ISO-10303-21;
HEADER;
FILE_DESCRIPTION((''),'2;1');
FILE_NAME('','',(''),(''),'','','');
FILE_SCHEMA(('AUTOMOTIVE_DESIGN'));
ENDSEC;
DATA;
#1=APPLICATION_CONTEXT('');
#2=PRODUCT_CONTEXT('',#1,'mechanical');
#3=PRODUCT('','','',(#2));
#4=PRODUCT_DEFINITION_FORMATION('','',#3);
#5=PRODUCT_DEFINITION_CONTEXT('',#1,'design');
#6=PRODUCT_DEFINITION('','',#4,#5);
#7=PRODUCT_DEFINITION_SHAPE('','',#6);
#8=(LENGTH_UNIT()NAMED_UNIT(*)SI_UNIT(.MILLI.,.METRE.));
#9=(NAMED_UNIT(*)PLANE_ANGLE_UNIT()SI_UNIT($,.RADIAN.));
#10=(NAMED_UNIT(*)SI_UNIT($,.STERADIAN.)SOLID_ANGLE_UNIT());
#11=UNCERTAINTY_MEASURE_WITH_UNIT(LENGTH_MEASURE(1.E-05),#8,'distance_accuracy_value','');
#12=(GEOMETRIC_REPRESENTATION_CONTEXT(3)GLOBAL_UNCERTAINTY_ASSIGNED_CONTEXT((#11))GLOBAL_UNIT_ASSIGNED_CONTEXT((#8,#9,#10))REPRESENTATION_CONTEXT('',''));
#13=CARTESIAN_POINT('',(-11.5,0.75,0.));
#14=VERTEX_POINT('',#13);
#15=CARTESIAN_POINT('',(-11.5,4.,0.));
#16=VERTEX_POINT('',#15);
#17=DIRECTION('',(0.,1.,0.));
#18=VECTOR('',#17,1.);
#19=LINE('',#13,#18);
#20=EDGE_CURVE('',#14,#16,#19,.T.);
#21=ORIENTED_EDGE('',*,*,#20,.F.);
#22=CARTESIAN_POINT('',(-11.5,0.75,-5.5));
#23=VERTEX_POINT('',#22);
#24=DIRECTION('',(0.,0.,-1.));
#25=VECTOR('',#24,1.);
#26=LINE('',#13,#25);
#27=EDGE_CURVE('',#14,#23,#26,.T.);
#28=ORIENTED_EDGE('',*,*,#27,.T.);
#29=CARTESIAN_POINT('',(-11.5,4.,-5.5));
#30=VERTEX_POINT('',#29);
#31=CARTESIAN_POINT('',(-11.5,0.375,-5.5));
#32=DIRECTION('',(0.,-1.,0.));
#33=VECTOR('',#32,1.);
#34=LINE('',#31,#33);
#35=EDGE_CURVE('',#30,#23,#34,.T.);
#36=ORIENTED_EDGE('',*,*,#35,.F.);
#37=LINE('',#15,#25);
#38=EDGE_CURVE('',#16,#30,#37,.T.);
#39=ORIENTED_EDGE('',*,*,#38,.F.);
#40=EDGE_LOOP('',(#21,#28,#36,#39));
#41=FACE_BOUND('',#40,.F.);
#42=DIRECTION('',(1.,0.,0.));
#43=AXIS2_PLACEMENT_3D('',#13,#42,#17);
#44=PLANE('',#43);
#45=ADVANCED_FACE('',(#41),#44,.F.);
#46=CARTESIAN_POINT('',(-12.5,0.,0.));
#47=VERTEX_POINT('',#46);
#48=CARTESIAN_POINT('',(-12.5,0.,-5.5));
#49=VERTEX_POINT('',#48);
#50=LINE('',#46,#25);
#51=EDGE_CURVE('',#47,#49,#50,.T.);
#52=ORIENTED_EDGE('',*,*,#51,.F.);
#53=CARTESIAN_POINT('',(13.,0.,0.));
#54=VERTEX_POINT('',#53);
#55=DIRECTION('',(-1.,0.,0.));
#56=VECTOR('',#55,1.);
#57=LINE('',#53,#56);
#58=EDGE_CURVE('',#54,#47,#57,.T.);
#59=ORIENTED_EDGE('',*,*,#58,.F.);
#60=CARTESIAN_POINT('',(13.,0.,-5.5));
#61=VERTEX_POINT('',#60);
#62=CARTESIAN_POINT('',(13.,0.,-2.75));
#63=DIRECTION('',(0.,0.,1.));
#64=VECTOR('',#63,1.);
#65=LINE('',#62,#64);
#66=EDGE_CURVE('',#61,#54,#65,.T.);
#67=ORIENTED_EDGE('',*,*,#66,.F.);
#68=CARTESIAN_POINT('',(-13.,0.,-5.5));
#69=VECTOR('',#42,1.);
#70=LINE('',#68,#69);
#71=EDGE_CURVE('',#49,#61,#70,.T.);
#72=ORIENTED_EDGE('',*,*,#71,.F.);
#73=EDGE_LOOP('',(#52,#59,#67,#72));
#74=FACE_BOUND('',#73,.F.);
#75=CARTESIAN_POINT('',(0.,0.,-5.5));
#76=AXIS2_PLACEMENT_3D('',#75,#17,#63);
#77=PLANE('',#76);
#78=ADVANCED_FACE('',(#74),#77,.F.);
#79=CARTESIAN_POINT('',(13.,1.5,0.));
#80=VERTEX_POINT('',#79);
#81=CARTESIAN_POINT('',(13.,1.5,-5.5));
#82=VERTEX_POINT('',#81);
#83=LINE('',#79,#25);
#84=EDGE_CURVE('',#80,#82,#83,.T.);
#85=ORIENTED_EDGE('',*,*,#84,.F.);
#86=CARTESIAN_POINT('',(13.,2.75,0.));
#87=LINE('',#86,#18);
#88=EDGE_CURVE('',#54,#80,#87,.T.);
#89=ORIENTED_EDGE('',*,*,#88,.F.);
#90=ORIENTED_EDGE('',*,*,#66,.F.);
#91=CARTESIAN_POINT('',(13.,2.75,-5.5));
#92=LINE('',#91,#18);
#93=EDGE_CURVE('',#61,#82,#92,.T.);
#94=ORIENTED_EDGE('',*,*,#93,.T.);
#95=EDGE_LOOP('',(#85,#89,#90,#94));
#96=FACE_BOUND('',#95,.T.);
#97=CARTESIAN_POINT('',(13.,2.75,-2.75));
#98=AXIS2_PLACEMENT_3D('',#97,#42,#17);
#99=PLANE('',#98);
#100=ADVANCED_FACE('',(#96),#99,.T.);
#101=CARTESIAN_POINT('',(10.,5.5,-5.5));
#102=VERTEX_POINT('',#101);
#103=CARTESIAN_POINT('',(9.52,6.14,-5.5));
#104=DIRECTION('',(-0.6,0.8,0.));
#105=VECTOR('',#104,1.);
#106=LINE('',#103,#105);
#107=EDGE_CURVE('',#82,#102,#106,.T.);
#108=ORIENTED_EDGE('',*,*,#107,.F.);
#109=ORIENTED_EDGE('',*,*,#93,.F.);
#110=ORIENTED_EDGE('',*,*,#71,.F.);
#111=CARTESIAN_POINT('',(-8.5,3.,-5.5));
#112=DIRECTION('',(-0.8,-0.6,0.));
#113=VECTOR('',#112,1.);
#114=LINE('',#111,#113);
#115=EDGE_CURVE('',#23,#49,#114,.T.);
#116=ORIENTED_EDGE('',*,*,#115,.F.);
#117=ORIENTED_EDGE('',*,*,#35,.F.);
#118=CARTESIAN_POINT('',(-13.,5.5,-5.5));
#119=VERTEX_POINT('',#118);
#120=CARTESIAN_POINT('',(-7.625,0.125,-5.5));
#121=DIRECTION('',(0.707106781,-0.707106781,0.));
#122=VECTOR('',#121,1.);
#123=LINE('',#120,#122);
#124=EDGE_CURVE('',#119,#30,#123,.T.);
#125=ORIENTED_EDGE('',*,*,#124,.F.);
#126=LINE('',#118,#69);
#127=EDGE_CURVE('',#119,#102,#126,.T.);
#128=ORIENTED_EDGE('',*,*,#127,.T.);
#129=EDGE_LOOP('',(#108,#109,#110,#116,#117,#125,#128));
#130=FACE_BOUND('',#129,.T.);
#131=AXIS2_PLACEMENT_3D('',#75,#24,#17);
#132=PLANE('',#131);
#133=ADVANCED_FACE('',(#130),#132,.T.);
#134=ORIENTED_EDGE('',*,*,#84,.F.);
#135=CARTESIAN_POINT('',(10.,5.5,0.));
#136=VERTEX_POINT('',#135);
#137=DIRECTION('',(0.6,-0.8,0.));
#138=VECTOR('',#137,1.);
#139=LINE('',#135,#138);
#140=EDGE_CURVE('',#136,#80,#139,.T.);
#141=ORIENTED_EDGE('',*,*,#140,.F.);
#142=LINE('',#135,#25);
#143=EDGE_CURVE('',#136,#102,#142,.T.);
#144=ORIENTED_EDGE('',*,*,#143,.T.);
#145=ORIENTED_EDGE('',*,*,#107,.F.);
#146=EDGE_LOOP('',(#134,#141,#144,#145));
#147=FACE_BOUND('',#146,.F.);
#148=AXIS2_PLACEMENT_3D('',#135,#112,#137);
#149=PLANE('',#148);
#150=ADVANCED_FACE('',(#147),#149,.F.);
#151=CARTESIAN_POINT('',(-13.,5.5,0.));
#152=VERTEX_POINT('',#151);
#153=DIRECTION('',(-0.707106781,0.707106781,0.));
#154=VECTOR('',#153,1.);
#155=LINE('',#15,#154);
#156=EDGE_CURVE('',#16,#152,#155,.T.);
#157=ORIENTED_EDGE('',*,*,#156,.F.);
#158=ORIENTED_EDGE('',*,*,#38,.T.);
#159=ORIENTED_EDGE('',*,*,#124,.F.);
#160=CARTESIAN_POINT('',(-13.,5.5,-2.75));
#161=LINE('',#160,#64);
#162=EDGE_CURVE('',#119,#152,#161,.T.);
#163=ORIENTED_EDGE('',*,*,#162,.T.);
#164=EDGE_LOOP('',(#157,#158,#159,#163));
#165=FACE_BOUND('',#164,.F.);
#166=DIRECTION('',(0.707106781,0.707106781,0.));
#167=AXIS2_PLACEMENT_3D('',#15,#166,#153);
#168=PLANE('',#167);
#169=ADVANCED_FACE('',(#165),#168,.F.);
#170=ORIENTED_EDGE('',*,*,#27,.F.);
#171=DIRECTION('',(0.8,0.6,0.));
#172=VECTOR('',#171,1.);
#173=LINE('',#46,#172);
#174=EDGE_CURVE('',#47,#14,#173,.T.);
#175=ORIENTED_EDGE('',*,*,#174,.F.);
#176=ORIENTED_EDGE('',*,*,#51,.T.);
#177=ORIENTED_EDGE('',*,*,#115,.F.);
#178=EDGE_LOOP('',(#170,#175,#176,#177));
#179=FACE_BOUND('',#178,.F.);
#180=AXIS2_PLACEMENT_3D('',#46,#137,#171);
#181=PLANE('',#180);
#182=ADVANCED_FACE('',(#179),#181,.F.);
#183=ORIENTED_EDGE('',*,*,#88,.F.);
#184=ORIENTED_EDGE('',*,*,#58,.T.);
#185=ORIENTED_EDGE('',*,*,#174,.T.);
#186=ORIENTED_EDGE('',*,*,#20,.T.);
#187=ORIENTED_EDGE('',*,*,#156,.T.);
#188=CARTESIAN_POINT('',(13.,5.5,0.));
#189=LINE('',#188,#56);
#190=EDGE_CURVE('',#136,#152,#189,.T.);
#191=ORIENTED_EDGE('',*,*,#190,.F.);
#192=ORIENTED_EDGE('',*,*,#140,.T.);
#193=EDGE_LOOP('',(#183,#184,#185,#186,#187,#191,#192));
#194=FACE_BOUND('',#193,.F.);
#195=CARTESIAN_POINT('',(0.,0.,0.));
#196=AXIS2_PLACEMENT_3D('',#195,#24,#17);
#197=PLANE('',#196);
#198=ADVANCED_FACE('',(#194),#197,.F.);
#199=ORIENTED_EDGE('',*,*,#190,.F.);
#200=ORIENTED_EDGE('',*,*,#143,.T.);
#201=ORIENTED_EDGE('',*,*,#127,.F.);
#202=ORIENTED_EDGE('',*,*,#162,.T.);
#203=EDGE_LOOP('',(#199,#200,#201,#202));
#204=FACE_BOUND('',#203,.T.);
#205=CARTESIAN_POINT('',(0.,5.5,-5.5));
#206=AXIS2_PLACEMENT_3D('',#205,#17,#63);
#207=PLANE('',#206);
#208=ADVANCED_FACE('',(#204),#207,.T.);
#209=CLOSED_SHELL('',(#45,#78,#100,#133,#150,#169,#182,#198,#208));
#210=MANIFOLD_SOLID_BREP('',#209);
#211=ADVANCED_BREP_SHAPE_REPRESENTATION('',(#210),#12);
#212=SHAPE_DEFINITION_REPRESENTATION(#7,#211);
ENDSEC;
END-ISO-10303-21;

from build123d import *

# Parameters (mm, degrees)
F0_W     = 5.5
F0_H     = 5.5
F1_DEPTH = 13
F3_DEPTH = 5.501


with BuildPart() as f1:
    # F0 (on Right) → F1 (new body, symmetric)
    with BuildSketch(Plane.YZ):
        with Locations((2.75, -2.75)):
            Rectangle(F0_W, F0_H)
    extrude(amount=F1_DEPTH, both=True)

    # F2 (on face) → F3 (cut, through all)
    with BuildSketch(Plane.XY):
        Polygon((-11.5, 4), (-13, 5.5), (-13, 0), (-12.5, 0), (-11.5, 0.75), align=None)
        Polygon((13, 5.5), (10, 5.5), (13, 1.5), align=None)
    extrude(amount=-F3_DEPTH, mode=Mode.SUBTRACT)


solid = f1.part
